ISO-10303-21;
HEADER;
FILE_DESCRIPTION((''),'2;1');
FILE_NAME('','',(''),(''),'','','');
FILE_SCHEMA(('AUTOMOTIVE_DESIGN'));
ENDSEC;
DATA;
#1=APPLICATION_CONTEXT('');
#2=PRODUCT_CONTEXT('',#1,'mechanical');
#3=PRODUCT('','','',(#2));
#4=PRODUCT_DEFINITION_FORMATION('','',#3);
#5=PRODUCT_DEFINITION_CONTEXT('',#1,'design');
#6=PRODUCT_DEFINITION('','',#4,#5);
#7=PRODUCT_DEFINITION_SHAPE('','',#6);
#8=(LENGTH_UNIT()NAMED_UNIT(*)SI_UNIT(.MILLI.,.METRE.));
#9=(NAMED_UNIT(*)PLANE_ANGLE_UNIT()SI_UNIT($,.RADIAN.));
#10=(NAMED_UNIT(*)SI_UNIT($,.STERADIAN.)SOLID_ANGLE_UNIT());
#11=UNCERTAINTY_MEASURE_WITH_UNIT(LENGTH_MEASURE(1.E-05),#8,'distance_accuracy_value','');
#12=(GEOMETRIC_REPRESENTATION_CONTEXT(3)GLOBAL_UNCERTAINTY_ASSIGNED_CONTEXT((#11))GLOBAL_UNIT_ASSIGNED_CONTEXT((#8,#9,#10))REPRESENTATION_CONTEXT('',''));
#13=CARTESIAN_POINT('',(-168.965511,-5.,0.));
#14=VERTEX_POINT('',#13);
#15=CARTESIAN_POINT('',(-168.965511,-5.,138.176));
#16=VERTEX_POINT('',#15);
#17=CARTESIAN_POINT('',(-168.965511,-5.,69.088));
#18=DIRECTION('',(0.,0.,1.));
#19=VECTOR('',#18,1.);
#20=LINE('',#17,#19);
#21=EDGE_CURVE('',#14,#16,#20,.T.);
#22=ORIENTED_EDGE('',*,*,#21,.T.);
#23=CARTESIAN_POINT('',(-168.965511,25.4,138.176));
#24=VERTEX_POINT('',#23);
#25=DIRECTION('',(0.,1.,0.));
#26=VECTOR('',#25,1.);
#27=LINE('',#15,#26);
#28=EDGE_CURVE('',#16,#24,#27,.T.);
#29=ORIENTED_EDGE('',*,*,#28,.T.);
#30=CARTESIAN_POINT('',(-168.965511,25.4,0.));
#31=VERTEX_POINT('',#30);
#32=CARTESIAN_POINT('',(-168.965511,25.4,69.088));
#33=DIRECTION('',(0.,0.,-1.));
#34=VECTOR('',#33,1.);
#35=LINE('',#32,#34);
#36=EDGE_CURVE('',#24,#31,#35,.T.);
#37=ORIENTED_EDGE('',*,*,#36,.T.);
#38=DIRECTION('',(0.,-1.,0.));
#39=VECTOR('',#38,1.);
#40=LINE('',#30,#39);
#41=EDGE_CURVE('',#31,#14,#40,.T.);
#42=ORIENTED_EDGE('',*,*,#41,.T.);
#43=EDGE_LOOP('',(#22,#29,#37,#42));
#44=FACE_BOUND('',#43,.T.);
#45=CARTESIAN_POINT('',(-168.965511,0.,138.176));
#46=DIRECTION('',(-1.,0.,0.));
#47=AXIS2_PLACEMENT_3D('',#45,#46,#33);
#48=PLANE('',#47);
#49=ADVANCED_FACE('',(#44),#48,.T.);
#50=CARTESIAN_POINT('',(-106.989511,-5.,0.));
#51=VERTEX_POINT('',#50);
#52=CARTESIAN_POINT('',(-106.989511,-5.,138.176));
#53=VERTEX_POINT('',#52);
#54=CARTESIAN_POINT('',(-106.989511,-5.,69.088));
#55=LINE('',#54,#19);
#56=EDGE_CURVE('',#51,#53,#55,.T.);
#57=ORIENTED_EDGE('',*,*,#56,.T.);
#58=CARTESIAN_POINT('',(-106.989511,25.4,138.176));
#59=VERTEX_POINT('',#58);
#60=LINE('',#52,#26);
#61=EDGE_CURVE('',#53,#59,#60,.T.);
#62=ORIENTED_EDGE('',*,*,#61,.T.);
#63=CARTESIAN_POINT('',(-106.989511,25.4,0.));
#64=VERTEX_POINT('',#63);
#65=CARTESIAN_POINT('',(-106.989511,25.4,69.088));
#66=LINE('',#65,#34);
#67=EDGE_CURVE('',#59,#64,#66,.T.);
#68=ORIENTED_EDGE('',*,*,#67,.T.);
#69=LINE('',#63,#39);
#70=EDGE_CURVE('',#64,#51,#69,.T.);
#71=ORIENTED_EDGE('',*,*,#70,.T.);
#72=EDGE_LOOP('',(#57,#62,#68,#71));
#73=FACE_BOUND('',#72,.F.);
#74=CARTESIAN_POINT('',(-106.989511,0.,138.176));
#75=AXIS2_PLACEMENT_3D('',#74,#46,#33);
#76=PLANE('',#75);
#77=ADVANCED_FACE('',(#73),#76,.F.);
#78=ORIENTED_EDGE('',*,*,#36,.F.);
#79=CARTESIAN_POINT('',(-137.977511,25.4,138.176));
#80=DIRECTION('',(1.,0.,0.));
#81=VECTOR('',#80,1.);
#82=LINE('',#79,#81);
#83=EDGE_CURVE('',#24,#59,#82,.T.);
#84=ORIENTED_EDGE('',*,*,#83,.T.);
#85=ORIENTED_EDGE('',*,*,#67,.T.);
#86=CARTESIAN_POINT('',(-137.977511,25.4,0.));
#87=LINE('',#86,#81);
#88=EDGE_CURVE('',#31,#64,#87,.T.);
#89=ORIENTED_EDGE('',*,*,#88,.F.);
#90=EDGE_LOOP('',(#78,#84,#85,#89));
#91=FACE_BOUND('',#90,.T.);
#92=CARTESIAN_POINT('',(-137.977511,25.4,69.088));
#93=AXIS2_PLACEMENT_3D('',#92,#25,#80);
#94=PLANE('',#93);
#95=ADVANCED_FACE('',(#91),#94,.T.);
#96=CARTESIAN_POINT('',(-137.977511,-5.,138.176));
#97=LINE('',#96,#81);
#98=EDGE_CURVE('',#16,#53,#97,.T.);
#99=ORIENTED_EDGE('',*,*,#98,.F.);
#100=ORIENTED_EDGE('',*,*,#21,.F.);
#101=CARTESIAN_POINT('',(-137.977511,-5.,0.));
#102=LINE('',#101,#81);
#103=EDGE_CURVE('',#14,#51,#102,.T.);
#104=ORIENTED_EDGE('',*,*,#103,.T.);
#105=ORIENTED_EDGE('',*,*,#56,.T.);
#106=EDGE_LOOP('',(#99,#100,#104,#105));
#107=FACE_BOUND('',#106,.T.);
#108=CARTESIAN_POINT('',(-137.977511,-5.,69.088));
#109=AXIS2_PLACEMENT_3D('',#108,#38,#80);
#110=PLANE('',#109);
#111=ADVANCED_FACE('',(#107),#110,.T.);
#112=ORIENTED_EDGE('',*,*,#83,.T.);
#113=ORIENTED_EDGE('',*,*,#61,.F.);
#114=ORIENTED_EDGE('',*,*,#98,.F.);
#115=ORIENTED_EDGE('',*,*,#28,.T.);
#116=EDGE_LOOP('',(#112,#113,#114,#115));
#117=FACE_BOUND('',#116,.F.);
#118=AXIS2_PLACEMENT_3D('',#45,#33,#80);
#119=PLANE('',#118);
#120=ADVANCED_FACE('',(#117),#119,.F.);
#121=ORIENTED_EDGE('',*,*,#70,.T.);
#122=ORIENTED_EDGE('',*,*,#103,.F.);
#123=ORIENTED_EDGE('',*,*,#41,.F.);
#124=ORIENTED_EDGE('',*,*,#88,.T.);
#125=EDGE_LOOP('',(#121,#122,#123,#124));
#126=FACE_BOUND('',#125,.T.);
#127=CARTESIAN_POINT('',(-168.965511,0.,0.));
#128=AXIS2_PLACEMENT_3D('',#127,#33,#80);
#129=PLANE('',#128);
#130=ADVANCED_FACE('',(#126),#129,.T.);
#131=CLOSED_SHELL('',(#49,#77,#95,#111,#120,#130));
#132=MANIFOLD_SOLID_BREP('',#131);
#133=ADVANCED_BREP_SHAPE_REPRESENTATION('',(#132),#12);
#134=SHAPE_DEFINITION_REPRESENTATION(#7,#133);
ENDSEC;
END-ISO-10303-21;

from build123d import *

# Parameters (mm, degrees)
F0_W      = 61.976
F0_H      = 138.176
F1_DEPTH  = 5
F1_FACE_W = 61.976
F1_FACE_H = 138.176
F2_DEPTH  = 25.4


with BuildPart() as f1:
    # F0 (on Front) → F1 (new body)
    with BuildSketch(Plane.XZ):
        with Locations((-137.977511, 69.088)):
            Rectangle(F0_W, F0_H)
    extrude(amount=F1_DEPTH)

    # F1_face (on face) → F2 (join)
    with BuildSketch(Plane(origin=(-137.977511, 0, 69.088), x_dir=(1, 0, 0), z_dir=(0, 1, 0))):
        Rectangle(F1_FACE_W, F1_FACE_H)
    extrude(amount=F2_DEPTH)


solid = f1.part
